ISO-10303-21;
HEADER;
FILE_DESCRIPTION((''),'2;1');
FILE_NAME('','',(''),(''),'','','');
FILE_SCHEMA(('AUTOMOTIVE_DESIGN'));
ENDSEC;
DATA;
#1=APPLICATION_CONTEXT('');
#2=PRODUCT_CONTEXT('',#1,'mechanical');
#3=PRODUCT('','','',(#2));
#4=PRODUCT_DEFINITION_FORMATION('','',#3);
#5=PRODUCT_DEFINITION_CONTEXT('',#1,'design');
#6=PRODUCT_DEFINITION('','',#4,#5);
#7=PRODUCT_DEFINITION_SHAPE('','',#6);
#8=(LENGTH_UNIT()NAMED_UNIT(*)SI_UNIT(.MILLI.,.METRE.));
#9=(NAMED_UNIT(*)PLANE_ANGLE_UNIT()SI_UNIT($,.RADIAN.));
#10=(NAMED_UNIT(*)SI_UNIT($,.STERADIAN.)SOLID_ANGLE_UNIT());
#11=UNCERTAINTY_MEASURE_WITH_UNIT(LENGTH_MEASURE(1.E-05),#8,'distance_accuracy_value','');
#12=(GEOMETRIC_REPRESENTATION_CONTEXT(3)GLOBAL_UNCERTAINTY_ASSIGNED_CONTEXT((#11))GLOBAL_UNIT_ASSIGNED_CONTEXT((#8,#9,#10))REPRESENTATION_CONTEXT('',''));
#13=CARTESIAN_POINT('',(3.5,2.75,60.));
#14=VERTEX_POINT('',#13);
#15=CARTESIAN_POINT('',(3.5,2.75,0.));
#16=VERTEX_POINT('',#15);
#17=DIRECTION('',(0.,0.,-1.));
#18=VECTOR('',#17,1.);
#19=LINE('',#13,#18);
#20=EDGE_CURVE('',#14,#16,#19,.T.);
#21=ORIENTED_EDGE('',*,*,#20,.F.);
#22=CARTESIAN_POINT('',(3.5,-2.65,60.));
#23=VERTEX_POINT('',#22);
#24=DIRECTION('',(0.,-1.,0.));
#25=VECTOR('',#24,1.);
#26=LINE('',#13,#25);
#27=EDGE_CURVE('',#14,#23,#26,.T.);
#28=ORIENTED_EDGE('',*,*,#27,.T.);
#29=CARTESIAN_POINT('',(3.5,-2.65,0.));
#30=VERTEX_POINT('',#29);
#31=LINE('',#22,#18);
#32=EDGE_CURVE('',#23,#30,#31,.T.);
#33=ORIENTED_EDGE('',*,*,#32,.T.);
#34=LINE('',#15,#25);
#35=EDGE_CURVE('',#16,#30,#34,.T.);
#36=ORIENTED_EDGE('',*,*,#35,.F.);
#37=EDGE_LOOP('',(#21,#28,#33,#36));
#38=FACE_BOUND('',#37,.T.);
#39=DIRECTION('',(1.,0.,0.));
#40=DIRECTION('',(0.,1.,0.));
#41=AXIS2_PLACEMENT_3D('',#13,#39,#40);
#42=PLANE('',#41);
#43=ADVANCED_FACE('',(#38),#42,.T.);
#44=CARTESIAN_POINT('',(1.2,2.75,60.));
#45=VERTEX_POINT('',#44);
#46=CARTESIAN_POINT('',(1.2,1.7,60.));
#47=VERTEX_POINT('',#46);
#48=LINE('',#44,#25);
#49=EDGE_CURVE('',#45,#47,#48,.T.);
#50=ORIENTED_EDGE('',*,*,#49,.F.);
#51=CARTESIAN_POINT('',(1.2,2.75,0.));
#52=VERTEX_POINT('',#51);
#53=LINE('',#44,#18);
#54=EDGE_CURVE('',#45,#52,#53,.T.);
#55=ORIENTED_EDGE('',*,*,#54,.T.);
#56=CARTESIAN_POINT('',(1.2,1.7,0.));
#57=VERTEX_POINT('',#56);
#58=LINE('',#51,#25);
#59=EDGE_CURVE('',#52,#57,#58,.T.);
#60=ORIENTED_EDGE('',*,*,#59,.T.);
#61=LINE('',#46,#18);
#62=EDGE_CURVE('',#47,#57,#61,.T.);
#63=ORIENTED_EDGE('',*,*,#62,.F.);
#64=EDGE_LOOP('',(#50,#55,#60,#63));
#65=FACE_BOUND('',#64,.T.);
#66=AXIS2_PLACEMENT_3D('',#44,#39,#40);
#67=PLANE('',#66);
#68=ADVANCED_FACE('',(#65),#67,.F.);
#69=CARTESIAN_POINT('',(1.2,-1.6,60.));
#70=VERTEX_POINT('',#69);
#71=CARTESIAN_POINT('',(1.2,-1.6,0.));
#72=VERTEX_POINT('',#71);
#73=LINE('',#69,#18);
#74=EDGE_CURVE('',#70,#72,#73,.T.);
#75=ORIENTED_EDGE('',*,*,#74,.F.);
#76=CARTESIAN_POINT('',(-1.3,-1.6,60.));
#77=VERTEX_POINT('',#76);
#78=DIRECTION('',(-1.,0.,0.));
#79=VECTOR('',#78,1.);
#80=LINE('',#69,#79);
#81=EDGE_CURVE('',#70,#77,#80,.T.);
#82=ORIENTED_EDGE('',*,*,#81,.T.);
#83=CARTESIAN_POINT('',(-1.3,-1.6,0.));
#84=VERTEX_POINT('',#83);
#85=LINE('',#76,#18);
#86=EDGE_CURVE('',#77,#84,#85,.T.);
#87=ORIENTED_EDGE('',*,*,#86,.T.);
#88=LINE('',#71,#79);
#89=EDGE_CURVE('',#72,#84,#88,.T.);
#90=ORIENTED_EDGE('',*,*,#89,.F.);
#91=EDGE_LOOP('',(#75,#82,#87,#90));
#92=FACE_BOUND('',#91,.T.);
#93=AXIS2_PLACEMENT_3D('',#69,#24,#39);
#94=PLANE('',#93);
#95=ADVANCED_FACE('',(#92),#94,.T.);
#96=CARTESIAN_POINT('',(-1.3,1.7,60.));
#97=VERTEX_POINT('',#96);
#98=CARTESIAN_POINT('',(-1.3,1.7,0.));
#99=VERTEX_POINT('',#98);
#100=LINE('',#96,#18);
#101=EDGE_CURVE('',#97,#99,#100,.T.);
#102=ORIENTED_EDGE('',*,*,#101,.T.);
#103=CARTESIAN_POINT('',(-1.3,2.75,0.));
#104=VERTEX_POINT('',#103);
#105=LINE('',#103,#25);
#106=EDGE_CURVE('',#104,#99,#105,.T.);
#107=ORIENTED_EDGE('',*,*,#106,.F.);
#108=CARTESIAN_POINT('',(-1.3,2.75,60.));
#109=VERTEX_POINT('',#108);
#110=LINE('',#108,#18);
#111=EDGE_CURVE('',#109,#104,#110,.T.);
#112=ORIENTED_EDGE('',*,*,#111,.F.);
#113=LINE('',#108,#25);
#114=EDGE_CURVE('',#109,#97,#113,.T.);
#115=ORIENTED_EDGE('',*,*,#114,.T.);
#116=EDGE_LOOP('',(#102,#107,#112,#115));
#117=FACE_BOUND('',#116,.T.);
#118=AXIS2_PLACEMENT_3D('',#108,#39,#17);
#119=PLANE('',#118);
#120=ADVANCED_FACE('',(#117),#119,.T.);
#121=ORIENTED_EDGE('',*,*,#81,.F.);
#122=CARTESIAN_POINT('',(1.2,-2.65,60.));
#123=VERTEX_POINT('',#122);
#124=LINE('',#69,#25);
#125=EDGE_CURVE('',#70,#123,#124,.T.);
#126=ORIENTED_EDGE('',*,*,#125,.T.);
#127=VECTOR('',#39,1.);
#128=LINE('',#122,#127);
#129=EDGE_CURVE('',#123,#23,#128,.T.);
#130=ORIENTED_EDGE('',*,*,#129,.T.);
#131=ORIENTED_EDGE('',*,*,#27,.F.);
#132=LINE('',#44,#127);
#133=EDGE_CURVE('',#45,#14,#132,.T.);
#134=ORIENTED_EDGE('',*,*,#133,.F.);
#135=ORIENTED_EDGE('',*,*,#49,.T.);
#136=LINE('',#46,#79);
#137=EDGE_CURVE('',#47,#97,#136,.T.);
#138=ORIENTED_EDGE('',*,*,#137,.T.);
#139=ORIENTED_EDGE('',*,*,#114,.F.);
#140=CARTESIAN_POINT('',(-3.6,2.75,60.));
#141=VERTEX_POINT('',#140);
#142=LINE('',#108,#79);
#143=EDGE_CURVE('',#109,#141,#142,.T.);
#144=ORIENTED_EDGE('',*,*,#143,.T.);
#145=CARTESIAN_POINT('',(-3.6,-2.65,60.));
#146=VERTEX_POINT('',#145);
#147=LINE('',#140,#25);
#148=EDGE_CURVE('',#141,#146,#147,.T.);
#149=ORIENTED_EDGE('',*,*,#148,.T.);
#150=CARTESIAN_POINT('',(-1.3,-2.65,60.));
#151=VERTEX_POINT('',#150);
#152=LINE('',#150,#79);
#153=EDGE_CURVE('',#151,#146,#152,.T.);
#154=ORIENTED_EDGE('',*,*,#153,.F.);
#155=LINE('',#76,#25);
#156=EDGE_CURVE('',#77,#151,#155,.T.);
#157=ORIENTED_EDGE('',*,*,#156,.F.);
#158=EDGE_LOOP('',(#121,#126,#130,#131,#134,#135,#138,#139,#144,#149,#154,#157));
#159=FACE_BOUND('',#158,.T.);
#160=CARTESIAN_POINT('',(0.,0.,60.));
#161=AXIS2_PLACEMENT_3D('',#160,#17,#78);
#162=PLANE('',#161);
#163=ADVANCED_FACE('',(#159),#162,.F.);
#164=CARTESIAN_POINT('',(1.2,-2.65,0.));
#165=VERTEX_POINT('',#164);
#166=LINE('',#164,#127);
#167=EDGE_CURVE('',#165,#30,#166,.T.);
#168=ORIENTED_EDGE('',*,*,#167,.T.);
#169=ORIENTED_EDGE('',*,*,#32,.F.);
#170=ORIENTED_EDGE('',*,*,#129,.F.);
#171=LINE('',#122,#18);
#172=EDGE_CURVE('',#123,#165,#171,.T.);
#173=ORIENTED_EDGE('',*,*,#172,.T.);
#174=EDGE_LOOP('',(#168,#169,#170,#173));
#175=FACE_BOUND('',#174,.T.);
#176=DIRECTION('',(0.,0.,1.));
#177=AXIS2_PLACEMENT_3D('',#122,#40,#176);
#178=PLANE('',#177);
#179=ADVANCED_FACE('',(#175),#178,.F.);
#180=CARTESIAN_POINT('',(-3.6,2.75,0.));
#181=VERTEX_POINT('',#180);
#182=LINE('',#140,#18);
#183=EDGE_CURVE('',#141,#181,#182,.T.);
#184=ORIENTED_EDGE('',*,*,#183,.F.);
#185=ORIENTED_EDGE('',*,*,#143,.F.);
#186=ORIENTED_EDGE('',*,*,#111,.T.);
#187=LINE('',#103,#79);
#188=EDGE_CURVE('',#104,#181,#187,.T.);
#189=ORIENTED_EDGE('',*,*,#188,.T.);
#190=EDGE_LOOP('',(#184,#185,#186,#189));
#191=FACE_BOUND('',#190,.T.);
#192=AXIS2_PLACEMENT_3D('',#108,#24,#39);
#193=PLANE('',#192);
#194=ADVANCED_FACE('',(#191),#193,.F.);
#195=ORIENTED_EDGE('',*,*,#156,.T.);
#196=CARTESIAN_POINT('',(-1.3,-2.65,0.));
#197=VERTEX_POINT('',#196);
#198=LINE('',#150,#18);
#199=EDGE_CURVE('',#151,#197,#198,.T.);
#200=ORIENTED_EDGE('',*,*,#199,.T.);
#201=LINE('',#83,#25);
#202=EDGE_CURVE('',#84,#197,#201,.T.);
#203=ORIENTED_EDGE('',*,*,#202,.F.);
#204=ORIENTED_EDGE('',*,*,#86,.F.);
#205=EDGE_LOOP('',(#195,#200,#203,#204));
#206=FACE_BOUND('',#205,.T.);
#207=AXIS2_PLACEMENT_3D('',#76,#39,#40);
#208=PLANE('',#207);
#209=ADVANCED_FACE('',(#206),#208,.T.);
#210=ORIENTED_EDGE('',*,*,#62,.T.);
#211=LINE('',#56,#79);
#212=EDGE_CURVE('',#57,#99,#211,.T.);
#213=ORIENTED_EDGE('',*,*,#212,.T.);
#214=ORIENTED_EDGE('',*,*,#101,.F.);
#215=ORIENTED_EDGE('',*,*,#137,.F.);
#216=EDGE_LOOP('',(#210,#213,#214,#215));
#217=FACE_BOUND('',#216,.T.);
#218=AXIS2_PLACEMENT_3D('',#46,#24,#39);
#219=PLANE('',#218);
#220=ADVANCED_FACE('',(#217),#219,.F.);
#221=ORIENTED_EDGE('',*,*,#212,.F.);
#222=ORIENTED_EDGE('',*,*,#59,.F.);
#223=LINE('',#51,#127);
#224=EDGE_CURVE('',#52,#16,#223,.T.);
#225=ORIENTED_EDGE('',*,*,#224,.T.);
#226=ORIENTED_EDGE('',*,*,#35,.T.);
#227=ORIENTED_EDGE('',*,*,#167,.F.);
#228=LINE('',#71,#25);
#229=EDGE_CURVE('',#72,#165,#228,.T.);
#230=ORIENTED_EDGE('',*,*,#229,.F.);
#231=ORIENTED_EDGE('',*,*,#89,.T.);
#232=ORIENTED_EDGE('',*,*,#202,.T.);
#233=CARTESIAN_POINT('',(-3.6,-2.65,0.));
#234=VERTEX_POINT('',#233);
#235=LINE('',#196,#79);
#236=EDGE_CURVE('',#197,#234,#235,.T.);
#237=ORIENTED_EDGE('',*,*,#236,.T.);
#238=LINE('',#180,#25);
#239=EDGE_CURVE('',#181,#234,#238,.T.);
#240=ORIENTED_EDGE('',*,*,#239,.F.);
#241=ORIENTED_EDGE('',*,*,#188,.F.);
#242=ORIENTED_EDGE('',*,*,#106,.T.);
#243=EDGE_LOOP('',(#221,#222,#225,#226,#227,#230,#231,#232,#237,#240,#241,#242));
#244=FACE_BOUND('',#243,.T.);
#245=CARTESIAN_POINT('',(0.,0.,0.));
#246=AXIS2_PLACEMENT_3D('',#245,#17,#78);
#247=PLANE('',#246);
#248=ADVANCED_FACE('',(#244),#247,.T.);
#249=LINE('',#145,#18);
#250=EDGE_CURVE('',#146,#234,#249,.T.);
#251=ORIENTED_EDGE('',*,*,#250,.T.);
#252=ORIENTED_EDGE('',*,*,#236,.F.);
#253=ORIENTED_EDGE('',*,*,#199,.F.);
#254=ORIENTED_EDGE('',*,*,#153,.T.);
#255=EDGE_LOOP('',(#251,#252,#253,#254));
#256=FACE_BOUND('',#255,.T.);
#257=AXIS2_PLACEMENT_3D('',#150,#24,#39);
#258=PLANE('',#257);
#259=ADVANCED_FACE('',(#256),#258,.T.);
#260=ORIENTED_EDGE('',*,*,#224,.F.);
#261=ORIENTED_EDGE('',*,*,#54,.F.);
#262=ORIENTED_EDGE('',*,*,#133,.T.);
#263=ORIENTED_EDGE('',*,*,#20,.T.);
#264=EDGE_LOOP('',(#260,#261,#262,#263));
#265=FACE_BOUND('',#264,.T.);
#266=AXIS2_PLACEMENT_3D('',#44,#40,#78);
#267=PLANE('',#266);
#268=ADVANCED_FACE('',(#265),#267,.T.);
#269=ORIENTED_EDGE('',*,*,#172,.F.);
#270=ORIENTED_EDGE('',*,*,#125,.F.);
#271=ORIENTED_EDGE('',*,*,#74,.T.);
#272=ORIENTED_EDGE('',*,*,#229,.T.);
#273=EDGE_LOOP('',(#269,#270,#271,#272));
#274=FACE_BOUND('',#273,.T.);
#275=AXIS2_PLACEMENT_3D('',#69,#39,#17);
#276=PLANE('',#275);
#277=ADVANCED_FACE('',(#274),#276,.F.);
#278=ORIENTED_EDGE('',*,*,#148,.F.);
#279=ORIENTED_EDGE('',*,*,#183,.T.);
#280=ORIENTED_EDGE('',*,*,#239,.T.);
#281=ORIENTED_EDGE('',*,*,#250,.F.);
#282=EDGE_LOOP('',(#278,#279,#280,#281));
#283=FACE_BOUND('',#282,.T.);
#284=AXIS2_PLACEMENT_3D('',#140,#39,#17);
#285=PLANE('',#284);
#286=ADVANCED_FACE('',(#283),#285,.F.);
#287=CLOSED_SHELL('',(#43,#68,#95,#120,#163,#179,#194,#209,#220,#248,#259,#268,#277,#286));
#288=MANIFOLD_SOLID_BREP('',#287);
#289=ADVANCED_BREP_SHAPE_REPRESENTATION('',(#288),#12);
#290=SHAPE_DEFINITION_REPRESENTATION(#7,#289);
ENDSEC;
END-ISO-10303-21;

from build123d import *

# Parameters (mm, degrees)
BOSS_EXTRUDE1_DEPTH = 60


with BuildPart() as part:
    # Sketch1 → Boss-Extrude1 (new body)
    with BuildSketch(Plane.XY):
        Polygon((-1.3, 2.75), (-3.6, 2.75), (-3.6, -2.65), (-1.3, -2.65), (-1.3, -1.6), (1.2, -1.6), (1.2, -2.65), (3.5, -2.65), (3.5, 2.75), (1.2, 2.75), (1.2, 1.7), (-1.3, 1.7), align=None)
    extrude(amount=BOSS_EXTRUDE1_DEPTH)


solid = part.part
